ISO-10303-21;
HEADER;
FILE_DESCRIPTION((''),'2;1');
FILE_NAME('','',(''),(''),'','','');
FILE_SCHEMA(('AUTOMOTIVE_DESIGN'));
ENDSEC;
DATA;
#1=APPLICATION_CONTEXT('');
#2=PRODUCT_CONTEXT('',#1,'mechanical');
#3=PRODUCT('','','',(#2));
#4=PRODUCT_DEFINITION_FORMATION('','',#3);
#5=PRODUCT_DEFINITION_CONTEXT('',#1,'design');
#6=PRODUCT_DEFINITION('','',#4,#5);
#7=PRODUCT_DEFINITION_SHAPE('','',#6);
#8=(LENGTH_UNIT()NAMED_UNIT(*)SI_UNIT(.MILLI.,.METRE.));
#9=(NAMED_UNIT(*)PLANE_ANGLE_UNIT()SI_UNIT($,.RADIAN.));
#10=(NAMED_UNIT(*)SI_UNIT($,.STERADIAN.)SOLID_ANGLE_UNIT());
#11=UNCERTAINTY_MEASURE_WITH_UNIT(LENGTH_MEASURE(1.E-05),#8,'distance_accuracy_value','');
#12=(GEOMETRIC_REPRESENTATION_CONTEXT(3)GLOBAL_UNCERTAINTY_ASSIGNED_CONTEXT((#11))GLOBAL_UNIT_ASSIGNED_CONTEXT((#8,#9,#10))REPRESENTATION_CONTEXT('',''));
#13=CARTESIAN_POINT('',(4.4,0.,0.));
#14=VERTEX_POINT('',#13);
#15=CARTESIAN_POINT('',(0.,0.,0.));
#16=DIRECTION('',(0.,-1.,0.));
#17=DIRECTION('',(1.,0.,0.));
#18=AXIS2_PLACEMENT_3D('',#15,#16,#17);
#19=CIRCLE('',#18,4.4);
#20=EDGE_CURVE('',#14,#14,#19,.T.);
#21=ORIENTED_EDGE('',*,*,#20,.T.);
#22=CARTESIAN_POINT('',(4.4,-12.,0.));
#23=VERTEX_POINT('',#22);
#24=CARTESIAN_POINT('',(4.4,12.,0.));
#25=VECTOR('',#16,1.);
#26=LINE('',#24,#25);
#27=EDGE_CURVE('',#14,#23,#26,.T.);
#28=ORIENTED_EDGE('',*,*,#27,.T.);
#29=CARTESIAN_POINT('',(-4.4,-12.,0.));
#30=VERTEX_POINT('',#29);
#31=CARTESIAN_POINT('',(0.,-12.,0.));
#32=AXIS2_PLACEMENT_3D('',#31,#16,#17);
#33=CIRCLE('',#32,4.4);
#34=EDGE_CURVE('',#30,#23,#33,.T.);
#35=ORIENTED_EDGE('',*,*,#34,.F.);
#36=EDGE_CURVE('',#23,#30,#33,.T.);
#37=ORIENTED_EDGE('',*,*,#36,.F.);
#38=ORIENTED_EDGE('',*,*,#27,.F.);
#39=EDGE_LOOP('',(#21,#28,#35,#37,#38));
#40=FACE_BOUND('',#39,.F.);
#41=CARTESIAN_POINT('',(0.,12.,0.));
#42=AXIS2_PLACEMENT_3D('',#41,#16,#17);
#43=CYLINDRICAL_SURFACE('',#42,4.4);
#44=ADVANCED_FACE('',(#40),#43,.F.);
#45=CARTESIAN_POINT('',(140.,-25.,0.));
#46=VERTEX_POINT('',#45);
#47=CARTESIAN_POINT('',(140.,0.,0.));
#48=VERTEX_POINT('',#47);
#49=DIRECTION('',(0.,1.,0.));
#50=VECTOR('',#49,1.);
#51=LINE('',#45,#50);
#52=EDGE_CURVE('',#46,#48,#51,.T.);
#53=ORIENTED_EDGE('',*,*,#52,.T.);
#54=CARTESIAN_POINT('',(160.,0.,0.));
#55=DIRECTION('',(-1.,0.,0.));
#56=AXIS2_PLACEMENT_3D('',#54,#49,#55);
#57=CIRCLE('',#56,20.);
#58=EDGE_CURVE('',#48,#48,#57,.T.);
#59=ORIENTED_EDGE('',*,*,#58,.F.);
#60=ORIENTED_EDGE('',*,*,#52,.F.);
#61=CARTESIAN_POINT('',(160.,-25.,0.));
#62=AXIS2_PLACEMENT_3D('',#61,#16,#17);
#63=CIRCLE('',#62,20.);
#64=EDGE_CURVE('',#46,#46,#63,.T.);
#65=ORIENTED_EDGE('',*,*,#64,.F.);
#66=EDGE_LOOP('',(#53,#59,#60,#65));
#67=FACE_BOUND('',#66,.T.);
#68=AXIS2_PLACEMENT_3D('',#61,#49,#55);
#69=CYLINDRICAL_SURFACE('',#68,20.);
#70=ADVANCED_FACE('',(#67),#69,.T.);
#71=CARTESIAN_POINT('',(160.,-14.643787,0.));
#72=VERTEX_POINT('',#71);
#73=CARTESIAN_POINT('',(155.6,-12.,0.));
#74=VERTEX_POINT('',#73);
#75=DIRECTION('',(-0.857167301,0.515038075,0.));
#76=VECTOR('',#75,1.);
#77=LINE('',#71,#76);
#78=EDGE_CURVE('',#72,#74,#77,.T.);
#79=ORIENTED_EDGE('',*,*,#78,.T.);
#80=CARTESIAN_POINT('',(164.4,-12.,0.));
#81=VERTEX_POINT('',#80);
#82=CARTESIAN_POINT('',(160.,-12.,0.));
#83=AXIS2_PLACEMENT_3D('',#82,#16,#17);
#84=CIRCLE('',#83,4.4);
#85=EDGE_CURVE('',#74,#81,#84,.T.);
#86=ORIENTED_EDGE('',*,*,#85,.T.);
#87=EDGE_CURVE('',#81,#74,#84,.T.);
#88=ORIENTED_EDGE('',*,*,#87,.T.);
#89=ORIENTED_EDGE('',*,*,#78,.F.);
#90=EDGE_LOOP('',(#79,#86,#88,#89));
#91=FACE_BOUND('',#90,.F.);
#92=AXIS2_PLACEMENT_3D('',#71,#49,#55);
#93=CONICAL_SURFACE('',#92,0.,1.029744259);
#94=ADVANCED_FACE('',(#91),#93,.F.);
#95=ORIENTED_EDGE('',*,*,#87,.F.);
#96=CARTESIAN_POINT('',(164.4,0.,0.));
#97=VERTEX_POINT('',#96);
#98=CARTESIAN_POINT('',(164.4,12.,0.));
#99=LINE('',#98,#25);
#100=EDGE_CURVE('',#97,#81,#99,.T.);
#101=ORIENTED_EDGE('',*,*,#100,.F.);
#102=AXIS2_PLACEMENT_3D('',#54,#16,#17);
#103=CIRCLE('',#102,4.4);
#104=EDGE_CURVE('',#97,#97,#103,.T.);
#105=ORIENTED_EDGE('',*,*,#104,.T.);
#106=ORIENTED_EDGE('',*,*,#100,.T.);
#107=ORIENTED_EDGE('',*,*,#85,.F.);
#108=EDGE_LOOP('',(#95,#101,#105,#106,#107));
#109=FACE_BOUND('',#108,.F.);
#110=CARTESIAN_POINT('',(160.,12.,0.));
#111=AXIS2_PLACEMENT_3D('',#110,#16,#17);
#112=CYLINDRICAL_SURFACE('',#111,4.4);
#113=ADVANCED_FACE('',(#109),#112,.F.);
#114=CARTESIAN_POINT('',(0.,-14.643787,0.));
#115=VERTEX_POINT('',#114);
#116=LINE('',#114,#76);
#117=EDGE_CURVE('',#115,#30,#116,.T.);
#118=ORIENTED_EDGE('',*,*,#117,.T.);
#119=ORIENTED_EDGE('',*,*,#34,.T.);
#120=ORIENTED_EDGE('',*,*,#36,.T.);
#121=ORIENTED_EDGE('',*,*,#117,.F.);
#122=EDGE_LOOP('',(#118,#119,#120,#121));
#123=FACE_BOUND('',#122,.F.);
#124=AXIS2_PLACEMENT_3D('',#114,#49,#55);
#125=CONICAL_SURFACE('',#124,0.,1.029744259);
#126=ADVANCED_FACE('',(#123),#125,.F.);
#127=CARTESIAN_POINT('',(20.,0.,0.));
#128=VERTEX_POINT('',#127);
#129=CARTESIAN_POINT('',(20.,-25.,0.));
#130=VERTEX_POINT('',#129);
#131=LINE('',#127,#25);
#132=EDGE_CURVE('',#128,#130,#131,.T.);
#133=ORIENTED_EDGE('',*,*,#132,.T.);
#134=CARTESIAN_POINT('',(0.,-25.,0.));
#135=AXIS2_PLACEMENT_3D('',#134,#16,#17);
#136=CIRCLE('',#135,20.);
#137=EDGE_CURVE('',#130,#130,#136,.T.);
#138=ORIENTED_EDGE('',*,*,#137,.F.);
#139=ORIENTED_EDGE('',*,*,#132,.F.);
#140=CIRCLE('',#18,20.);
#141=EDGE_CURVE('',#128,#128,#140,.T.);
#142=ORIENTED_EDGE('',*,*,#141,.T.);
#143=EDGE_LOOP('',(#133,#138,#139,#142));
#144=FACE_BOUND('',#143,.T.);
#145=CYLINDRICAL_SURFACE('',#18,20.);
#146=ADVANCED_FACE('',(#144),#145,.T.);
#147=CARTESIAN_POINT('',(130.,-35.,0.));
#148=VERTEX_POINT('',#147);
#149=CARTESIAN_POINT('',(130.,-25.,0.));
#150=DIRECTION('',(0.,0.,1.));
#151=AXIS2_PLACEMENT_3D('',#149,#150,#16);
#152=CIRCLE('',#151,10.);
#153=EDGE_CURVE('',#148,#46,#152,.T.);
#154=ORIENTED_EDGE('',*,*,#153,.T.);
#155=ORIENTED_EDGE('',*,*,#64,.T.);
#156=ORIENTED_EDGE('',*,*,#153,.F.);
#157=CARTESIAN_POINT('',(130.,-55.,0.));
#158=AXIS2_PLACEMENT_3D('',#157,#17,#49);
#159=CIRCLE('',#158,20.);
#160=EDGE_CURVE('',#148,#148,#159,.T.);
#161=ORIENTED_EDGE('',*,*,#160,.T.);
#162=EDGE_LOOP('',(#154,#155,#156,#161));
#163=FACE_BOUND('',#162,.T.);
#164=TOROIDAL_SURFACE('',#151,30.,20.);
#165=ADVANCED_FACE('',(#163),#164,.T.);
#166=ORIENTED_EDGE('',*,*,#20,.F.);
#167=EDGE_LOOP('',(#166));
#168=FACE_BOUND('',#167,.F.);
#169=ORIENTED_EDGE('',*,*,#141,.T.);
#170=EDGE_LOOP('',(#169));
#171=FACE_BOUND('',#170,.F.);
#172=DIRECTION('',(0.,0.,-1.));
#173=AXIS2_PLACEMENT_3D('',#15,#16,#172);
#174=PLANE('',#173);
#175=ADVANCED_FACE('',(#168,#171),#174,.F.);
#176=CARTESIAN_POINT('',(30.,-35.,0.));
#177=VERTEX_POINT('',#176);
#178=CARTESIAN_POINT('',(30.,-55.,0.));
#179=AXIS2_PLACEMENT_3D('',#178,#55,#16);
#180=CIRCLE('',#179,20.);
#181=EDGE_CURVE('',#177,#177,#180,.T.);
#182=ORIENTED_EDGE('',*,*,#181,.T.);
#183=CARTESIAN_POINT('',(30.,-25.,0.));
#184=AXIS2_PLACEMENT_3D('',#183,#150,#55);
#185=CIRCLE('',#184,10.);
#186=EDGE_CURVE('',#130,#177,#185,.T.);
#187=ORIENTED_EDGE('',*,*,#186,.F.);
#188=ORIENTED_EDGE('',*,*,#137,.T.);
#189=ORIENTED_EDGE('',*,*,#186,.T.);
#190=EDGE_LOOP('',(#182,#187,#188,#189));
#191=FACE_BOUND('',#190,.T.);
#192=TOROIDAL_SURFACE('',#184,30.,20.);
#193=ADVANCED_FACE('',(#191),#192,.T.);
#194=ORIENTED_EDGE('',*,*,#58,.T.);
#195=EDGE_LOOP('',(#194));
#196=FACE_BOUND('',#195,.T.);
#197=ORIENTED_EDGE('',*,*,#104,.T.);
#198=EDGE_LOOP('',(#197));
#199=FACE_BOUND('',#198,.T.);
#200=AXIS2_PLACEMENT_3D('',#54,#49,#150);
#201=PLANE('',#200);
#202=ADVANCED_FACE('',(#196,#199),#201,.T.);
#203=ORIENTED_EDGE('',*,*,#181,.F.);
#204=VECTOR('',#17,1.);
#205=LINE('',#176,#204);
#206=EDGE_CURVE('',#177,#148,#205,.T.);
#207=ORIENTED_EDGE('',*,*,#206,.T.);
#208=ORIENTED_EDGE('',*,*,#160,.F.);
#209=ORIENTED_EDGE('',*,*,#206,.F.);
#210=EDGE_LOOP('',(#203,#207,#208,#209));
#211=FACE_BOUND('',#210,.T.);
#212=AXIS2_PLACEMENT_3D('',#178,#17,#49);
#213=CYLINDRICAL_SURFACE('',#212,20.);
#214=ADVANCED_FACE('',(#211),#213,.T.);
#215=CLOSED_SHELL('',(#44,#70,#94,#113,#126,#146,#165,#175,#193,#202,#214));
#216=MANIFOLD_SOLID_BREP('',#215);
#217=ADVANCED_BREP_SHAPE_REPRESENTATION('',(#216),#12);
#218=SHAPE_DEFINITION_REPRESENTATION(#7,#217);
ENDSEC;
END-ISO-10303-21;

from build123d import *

# Parameters (mm, degrees)
F0_R     = 20
F4_D     = 8.8
F4_DEPTH = 12
F4_TIP   = 2.6437867237


with BuildPart() as f2:
    # F2: sweep along a path in F1
    with BuildLine(Plane.XY) as f2_path:
        Line((0, 0), (0, -25))
        ThreePointArc((0, -25), (8.7867965644, -46.2132034356), (30, -55))
        Line((30, -55), (130, -55))
        ThreePointArc((130, -55), (151.2132034356, -46.2132034356), (160, -25))
        Line((160, -25), (160, 0))
    # F0 (on Front) → F2 (sweep)
    with BuildSketch(Plane.XZ):
        Circle(F0_R)
    sweep(path=f2_path.line)

    # F4
    with Locations(Plane(origin=(0, 0, 0), x_dir=(-1, 0, 0), z_dir=(0, 1, 0))):
        with Locations((0, 0), (-160, 0)):
            Hole(F4_D / 2, depth=F4_DEPTH)
            with Locations((0, 0, -(F4_DEPTH + F4_TIP / 2))):  # 118° drill point
                Cone(0, F4_D / 2, F4_TIP, mode=Mode.SUBTRACT)


solid = f2.part
